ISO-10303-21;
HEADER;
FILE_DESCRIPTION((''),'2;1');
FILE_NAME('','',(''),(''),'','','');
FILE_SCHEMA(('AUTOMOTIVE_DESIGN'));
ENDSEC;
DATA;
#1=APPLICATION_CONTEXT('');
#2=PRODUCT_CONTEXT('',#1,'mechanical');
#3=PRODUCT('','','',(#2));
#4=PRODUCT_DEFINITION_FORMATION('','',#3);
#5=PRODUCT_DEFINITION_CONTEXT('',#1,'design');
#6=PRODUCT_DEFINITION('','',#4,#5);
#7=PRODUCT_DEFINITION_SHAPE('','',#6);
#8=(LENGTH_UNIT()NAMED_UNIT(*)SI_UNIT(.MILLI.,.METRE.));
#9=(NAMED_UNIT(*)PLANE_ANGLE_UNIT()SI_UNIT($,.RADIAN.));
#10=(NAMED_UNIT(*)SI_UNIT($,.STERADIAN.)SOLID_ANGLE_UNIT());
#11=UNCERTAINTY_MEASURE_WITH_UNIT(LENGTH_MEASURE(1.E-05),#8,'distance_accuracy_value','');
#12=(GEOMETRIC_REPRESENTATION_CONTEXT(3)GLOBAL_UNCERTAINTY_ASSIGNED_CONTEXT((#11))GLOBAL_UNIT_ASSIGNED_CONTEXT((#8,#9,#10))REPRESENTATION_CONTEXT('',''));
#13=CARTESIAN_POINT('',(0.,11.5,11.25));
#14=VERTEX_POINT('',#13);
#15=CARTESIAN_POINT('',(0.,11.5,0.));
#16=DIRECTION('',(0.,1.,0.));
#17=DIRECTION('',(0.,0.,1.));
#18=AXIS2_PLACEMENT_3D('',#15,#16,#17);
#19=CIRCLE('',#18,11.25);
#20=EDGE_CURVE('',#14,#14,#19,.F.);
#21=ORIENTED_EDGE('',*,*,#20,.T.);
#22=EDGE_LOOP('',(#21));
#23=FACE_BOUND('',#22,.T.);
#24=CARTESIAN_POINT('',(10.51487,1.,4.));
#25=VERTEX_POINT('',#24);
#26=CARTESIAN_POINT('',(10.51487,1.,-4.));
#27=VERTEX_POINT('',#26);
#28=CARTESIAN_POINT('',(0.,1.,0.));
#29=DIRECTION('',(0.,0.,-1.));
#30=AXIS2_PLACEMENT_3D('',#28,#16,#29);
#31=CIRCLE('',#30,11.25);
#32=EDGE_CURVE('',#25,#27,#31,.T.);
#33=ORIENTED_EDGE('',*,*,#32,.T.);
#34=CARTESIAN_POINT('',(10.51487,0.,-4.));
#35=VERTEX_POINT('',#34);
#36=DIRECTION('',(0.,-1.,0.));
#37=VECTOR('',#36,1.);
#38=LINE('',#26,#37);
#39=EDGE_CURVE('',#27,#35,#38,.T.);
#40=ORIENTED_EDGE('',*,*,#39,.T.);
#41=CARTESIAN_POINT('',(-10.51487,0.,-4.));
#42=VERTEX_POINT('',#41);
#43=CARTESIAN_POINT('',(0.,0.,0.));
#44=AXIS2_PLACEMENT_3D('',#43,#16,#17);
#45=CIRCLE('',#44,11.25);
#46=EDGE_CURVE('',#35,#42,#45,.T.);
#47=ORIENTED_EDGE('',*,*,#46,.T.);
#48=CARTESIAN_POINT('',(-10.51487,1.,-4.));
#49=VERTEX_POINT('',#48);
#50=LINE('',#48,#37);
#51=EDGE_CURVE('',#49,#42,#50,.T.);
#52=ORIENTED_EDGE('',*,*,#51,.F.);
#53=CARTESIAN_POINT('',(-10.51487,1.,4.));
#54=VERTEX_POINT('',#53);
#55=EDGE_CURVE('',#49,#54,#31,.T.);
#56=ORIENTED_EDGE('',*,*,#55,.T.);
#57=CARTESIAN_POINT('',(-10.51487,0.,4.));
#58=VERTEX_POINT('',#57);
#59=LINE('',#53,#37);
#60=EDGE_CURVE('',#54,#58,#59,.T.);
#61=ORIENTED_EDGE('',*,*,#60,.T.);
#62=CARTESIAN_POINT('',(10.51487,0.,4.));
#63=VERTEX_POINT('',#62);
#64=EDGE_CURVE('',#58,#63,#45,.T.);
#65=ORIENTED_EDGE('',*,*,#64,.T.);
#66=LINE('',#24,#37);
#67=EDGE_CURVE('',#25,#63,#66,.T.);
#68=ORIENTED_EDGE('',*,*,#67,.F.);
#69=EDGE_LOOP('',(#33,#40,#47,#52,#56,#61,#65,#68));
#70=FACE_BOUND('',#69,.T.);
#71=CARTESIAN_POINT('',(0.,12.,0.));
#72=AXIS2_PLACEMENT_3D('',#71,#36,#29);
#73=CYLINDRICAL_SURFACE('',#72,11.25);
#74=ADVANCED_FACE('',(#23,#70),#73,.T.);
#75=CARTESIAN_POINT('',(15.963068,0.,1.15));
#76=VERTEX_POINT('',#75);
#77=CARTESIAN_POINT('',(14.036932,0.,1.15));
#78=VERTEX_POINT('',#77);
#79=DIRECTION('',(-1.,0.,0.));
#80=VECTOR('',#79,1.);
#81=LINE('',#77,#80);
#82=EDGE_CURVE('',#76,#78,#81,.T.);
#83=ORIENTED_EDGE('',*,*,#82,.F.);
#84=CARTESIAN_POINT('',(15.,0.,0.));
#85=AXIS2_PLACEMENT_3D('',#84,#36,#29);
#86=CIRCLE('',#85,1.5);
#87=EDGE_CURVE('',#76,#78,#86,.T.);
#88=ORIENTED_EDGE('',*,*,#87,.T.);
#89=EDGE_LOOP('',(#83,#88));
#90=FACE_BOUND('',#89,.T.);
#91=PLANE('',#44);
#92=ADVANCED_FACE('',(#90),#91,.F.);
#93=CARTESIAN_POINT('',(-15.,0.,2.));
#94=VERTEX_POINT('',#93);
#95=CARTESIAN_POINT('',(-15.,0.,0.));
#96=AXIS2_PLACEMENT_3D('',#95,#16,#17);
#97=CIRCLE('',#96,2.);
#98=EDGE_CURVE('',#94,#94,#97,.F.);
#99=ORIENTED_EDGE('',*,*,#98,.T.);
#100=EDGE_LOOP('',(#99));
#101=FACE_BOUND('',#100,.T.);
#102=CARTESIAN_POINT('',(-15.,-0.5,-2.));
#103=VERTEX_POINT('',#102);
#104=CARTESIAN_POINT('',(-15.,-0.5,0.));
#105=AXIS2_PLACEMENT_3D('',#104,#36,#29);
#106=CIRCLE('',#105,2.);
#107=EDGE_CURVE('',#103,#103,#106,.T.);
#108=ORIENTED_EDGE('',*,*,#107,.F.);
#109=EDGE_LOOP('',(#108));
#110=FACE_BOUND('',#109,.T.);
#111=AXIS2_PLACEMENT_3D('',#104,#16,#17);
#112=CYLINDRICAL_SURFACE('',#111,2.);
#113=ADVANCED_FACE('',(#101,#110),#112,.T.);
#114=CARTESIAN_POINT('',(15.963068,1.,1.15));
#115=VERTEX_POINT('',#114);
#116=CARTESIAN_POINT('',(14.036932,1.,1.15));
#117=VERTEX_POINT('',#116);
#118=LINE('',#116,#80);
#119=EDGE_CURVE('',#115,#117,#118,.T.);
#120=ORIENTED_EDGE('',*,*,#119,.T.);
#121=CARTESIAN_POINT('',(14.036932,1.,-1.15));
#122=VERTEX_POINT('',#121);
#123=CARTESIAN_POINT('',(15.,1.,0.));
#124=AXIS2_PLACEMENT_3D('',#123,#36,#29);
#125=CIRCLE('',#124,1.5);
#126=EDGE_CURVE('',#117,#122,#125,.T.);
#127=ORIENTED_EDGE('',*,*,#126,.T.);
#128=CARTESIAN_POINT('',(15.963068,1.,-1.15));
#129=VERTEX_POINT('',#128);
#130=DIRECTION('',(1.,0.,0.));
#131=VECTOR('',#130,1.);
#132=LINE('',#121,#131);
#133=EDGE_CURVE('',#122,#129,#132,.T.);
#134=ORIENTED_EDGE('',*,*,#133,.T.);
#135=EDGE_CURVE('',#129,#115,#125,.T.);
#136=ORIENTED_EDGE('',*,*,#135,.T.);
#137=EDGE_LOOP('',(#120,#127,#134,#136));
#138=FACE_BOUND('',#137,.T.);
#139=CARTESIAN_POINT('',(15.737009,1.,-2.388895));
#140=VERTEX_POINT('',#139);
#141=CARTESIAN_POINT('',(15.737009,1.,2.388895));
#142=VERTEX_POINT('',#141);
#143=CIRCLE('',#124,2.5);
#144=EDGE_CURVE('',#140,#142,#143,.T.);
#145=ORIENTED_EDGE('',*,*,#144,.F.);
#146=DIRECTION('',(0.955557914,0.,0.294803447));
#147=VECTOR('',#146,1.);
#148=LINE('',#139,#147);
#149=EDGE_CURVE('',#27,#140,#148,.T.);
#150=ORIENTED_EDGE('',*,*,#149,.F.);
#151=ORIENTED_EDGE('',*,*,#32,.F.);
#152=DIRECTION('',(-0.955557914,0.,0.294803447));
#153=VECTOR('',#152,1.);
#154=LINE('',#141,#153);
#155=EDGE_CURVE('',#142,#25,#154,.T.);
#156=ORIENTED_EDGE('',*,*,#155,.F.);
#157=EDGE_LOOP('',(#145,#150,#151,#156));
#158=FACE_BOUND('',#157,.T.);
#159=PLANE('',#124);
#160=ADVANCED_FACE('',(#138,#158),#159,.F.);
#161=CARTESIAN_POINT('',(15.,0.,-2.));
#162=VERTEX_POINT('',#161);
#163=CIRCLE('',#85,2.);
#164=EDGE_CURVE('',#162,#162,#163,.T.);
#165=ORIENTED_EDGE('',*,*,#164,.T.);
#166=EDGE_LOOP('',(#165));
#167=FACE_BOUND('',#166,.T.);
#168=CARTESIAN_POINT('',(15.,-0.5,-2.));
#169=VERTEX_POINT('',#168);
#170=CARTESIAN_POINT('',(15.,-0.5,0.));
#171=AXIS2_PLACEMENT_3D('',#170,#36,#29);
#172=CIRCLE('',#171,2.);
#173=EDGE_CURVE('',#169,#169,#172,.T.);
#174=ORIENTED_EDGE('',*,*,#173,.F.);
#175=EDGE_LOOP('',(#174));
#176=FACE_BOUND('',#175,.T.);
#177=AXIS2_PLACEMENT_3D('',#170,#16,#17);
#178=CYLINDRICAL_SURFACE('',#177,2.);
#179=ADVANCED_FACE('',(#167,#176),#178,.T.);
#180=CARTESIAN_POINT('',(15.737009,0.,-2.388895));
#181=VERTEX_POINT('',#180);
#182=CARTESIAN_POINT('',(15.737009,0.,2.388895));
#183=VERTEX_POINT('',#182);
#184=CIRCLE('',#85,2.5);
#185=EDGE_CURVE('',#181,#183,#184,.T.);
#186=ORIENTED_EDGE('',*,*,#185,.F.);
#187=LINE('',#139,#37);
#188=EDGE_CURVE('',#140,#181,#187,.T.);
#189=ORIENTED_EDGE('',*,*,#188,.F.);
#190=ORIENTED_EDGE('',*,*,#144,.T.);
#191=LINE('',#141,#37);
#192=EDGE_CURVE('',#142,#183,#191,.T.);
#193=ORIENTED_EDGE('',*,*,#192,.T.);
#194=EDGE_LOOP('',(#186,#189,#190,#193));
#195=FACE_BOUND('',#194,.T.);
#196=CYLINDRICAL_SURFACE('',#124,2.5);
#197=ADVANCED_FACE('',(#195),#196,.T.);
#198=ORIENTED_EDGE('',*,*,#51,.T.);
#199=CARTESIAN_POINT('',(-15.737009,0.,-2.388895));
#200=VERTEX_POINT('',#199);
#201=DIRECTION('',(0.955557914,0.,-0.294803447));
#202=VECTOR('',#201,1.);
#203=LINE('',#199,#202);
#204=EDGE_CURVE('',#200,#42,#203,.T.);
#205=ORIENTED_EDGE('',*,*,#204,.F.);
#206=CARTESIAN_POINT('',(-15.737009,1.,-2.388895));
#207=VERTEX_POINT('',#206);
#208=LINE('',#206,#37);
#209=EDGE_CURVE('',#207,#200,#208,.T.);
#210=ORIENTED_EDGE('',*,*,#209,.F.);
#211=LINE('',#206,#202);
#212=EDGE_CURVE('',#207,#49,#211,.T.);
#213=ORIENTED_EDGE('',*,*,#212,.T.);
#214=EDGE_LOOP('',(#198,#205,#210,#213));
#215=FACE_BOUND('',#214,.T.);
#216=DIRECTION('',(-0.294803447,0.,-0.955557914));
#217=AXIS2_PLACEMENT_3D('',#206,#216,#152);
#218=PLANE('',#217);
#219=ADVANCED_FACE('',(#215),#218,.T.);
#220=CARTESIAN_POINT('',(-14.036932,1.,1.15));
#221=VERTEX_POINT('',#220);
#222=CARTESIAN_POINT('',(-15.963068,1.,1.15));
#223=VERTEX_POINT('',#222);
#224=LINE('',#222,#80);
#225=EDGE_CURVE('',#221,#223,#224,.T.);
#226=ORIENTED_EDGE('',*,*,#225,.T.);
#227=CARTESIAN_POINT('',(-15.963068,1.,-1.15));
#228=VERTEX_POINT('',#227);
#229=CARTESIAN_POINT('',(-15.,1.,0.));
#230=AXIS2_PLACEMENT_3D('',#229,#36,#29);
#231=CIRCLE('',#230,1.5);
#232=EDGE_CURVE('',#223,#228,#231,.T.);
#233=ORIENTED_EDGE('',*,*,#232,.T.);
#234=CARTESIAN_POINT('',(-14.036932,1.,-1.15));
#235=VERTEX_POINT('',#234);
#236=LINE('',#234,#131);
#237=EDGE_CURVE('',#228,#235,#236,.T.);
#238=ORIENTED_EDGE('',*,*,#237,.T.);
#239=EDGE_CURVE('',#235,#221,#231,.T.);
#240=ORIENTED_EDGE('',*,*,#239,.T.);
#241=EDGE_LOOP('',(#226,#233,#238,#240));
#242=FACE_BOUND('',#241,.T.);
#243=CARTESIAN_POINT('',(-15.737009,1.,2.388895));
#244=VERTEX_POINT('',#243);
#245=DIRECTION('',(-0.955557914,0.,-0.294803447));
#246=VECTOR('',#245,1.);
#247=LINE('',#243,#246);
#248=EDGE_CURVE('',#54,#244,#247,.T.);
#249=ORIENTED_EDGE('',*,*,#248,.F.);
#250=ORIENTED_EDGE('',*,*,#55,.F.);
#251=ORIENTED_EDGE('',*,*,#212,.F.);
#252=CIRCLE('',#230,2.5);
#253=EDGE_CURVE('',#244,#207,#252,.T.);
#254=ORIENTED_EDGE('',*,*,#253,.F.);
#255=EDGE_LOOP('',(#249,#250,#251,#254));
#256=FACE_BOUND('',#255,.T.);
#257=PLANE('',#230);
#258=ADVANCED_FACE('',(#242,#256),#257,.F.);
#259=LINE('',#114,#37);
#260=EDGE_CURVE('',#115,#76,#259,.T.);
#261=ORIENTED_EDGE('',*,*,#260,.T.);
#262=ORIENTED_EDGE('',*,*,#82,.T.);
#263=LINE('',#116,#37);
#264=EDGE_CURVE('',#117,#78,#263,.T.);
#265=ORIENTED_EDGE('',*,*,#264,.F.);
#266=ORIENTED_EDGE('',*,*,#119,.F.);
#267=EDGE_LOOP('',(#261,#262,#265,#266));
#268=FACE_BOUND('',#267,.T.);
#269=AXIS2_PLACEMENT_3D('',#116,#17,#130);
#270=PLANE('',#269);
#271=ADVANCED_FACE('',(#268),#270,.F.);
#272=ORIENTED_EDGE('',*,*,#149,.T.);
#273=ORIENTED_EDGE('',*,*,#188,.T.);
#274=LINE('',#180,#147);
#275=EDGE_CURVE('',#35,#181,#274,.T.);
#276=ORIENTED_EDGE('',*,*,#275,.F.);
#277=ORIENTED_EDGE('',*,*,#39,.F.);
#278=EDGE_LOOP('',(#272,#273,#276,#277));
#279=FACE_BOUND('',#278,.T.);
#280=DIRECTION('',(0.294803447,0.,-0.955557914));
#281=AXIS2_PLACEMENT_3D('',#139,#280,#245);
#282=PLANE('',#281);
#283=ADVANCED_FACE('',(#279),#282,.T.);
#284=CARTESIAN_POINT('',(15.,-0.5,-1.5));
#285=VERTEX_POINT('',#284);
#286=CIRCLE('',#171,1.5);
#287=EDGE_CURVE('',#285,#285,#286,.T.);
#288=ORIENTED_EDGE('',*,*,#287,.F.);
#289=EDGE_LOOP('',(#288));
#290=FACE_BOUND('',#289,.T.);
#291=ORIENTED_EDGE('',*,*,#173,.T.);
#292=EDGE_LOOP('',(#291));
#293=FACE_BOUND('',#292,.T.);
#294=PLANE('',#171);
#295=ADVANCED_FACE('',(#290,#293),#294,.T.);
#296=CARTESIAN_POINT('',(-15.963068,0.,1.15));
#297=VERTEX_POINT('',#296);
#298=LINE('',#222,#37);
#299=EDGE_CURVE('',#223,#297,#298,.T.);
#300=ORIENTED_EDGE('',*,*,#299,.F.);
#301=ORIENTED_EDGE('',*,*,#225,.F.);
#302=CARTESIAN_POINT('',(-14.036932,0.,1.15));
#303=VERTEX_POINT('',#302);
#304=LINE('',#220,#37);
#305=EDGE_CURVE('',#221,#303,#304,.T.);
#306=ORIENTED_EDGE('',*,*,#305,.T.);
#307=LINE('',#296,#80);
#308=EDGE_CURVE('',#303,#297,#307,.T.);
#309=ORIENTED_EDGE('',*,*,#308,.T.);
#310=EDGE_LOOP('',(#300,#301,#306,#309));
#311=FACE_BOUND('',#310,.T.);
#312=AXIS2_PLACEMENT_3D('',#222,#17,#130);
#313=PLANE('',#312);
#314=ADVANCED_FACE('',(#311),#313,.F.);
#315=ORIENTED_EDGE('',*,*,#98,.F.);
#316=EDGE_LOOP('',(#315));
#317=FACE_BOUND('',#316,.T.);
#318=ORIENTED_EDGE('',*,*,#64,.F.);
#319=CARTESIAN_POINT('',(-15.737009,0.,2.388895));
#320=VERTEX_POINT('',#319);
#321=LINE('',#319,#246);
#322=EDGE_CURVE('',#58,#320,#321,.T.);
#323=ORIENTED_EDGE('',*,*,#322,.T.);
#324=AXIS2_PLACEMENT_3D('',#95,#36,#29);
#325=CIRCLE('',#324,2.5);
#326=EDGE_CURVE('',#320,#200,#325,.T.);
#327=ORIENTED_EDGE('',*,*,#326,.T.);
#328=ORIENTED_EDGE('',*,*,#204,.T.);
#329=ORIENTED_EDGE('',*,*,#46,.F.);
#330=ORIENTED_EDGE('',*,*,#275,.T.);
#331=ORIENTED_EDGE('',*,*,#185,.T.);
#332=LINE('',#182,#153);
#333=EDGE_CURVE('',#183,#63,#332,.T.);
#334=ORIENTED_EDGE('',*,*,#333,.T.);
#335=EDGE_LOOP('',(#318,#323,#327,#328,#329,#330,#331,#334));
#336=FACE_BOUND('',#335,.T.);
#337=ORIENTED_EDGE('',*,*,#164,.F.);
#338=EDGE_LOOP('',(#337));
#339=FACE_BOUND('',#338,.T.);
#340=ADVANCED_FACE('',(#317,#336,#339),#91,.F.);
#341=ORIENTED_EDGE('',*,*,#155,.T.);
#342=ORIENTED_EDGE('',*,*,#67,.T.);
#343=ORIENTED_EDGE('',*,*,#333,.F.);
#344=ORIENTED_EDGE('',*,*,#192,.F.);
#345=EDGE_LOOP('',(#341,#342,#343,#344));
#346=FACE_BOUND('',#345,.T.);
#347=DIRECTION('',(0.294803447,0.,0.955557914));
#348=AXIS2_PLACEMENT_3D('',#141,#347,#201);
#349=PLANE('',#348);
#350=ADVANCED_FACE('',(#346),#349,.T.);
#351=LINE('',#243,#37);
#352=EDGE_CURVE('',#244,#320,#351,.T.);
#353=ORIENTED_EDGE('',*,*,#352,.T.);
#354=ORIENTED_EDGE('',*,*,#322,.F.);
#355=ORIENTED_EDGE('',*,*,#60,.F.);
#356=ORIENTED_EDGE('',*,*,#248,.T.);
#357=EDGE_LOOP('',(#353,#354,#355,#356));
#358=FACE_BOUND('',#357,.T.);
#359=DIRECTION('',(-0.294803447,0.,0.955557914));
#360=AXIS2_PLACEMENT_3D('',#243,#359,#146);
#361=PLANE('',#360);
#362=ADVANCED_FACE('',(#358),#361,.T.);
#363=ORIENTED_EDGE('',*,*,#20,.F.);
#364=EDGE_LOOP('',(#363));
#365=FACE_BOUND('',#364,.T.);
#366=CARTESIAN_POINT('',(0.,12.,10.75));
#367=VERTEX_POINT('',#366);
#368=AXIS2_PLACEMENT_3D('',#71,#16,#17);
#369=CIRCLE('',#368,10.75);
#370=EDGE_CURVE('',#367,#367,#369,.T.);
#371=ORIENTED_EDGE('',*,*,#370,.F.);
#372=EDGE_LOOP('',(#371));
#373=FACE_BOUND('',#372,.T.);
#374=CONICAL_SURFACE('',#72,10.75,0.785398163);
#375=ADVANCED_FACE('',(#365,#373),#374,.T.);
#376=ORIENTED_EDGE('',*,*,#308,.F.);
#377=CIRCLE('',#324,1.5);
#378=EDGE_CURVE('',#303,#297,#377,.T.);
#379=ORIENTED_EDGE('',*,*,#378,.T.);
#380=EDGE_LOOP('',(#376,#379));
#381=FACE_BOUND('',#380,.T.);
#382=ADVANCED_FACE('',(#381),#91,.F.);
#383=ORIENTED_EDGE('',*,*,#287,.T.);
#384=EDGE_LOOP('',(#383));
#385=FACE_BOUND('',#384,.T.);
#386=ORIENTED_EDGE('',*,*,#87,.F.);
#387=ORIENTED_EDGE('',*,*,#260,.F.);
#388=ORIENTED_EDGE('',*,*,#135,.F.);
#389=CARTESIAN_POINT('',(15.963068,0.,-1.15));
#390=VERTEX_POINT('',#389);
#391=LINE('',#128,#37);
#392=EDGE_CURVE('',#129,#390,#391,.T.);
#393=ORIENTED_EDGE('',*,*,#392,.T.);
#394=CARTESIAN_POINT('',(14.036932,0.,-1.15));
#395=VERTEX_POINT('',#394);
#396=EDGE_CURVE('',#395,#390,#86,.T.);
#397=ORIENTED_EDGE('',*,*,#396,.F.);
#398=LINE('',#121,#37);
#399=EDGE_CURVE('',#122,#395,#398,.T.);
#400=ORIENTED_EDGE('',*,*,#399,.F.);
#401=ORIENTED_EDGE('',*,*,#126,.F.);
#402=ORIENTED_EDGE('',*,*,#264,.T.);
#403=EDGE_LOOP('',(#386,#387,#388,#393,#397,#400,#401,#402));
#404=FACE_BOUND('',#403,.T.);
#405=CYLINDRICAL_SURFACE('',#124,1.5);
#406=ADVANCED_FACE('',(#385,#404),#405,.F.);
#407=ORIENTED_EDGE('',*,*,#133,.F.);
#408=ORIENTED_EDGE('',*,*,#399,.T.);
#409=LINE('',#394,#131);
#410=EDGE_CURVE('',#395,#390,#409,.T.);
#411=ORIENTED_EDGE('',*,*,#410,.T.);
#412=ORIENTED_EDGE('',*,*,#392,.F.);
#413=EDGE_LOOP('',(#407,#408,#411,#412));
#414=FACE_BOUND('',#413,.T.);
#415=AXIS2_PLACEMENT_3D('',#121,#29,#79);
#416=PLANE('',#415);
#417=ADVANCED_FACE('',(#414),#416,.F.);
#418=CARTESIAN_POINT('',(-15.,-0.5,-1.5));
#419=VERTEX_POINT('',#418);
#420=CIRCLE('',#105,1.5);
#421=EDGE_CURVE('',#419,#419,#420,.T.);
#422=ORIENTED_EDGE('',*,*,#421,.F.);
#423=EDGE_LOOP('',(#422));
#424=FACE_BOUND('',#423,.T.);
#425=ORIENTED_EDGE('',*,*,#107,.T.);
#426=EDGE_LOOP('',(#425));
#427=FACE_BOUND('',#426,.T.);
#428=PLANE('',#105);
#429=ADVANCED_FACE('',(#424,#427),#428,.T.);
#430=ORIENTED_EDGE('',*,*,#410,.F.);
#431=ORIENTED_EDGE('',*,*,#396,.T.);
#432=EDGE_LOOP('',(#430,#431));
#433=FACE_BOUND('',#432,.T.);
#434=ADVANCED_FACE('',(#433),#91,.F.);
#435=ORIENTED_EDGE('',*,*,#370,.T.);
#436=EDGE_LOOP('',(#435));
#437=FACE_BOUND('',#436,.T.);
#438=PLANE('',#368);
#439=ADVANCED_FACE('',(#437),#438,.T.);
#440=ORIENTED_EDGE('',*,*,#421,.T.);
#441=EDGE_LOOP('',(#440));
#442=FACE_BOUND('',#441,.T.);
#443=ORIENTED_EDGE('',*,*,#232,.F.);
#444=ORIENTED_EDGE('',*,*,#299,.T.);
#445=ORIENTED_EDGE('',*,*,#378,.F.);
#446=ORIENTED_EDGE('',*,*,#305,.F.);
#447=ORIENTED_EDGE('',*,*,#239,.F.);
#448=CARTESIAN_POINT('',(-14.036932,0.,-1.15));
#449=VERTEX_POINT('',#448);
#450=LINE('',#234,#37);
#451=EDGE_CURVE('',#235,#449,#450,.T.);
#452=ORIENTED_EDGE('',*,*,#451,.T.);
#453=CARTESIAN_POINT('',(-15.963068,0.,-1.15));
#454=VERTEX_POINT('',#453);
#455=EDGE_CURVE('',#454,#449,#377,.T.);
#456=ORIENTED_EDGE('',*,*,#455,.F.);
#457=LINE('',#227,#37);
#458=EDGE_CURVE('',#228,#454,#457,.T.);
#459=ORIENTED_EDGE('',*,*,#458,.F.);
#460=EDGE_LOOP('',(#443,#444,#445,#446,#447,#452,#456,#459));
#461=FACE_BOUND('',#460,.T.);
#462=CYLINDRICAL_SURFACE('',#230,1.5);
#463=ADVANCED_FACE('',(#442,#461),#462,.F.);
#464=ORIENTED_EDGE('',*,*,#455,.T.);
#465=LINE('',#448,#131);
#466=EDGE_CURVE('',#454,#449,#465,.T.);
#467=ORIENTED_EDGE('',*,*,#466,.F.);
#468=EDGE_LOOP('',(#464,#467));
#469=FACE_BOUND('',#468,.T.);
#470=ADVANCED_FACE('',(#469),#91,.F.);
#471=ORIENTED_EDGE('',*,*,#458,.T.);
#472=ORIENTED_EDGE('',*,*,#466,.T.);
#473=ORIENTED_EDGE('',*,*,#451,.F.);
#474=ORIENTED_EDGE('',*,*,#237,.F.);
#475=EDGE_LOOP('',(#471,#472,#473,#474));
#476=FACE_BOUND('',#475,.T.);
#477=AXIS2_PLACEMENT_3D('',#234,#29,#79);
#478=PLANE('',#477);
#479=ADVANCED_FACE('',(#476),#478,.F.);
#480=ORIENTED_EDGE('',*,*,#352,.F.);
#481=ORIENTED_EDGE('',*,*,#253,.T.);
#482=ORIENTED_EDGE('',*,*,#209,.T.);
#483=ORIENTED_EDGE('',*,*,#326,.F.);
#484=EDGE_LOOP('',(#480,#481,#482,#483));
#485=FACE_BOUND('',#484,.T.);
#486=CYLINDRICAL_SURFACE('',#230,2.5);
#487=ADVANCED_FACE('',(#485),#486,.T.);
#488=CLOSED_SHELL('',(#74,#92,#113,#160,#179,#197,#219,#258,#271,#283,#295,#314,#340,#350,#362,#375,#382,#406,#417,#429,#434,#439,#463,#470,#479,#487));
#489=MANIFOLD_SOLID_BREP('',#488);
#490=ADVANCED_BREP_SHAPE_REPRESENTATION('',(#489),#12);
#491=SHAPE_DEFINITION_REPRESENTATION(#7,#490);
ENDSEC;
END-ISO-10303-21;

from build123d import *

# Parameters (mm, degrees)
SKETCH1_R           = 11.25
BOSS_EXTRUDE1_DEPTH = 12
CHAMFER1_SIZE       = 0.5
BOSS_EXTRUDE2_DEPTH = 1
BOSS_EXTRUDE3_START = 0.5
SKETCH3_R           = 2
SKETCH3_R_2         = 1.5
BOSS_EXTRUDE3_DEPTH = 0.5


with BuildPart() as part:
    # Sketch1 → Boss-Extrude1 (new body)
    with BuildSketch(Plane(origin=(0, 0, 0), x_dir=(1, 0, 0), z_dir=(0, 1, 0))):
        with Locations(Location((0, 0, 0), (0, 0, 270))):
            Circle(SKETCH1_R)
    extrude(amount=BOSS_EXTRUDE1_DEPTH)

    # Chamfer1
    chamfer1_edges = [part.edges().sort_by_distance(p)[0] for p in [
        (0, 12, -11.25),
    ]]
    chamfer(chamfer1_edges, length=CHAMFER1_SIZE)

    # Sketch2 → Boss-Extrude2 (add)
    # profile 1 of 2: a face of its own
    with BuildSketch(Plane.XZ):
        with BuildLine():
            Line((-15.737008616, 2.388894786), (-10.514870422, 4))
            ThreePointArc((-10.514870422, 4), (-11.25, 0), (-10.514870422, -4))
            Line((-10.514870422, -4), (-15.737008616, -2.388894786))
            ThreePointArc((-15.737008616, -2.388894786), (-17.5, 0), (-15.737008616, 2.388894786))
        make_face()
        with BuildLine():
            Line((-15.963068014, 1.15), (-14.036931986, 1.15))
            ThreePointArc((-14.036931986, 1.15), (-13.5, 0), (-14.036931986, -1.15))
            Line((-14.036931986, -1.15), (-15.963068014, -1.15))
            ThreePointArc((-15.963068014, -1.15), (-16.5, 0), (-15.963068014, 1.15))
        make_face(mode=Mode.SUBTRACT)
    # profile 2 of 2: a face of its own
    with BuildSketch(Plane.XZ):
        with BuildLine():
            Line((15.737008616, -2.388894786), (10.514870422, -4))
            ThreePointArc((10.514870422, -4), (11.25, 0), (10.514870422, 4))
            Line((10.514870422, 4), (15.737008616, 2.388894786))
            ThreePointArc((15.737008616, 2.388894786), (17.5, 0), (15.737008616, -2.388894786))
        make_face()
        with BuildLine():
            Line((14.036931986, 1.15), (15.963068014, 1.15))
            ThreePointArc((15.963068014, 1.15), (16.5, 0), (15.963068014, -1.15))
            Line((15.963068014, -1.15), (14.036931986, -1.15))
            ThreePointArc((14.036931986, -1.15), (13.5, 0), (14.036931986, 1.15))
        make_face(mode=Mode.SUBTRACT)
    extrude(amount=-BOSS_EXTRUDE2_DEPTH)

    # Sketch3 → Boss-Extrude3 (add)
    # profile 1 of 2: a face of its own
    with BuildSketch(Plane.XZ.offset(BOSS_EXTRUDE3_START)):
        with Locations(Location((15, 0, 0), (0, 0, 270))):
            Circle(SKETCH3_R)
        with Locations(Location((15, 0, 0), (0, 0, 270))):
            Circle(SKETCH3_R_2, mode=Mode.SUBTRACT)
    # profile 2 of 2: a face of its own
    with BuildSketch(Plane.XZ.offset(BOSS_EXTRUDE3_START)):
        with Locations(Location((-15, 0, 0), (0, 0, 90))):
            Circle(SKETCH3_R)
        with Locations(Location((-15, 0, 0), (0, 0, 270))):
            Circle(SKETCH3_R_2, mode=Mode.SUBTRACT)
    extrude(amount=-BOSS_EXTRUDE3_DEPTH)


solid = part.part
